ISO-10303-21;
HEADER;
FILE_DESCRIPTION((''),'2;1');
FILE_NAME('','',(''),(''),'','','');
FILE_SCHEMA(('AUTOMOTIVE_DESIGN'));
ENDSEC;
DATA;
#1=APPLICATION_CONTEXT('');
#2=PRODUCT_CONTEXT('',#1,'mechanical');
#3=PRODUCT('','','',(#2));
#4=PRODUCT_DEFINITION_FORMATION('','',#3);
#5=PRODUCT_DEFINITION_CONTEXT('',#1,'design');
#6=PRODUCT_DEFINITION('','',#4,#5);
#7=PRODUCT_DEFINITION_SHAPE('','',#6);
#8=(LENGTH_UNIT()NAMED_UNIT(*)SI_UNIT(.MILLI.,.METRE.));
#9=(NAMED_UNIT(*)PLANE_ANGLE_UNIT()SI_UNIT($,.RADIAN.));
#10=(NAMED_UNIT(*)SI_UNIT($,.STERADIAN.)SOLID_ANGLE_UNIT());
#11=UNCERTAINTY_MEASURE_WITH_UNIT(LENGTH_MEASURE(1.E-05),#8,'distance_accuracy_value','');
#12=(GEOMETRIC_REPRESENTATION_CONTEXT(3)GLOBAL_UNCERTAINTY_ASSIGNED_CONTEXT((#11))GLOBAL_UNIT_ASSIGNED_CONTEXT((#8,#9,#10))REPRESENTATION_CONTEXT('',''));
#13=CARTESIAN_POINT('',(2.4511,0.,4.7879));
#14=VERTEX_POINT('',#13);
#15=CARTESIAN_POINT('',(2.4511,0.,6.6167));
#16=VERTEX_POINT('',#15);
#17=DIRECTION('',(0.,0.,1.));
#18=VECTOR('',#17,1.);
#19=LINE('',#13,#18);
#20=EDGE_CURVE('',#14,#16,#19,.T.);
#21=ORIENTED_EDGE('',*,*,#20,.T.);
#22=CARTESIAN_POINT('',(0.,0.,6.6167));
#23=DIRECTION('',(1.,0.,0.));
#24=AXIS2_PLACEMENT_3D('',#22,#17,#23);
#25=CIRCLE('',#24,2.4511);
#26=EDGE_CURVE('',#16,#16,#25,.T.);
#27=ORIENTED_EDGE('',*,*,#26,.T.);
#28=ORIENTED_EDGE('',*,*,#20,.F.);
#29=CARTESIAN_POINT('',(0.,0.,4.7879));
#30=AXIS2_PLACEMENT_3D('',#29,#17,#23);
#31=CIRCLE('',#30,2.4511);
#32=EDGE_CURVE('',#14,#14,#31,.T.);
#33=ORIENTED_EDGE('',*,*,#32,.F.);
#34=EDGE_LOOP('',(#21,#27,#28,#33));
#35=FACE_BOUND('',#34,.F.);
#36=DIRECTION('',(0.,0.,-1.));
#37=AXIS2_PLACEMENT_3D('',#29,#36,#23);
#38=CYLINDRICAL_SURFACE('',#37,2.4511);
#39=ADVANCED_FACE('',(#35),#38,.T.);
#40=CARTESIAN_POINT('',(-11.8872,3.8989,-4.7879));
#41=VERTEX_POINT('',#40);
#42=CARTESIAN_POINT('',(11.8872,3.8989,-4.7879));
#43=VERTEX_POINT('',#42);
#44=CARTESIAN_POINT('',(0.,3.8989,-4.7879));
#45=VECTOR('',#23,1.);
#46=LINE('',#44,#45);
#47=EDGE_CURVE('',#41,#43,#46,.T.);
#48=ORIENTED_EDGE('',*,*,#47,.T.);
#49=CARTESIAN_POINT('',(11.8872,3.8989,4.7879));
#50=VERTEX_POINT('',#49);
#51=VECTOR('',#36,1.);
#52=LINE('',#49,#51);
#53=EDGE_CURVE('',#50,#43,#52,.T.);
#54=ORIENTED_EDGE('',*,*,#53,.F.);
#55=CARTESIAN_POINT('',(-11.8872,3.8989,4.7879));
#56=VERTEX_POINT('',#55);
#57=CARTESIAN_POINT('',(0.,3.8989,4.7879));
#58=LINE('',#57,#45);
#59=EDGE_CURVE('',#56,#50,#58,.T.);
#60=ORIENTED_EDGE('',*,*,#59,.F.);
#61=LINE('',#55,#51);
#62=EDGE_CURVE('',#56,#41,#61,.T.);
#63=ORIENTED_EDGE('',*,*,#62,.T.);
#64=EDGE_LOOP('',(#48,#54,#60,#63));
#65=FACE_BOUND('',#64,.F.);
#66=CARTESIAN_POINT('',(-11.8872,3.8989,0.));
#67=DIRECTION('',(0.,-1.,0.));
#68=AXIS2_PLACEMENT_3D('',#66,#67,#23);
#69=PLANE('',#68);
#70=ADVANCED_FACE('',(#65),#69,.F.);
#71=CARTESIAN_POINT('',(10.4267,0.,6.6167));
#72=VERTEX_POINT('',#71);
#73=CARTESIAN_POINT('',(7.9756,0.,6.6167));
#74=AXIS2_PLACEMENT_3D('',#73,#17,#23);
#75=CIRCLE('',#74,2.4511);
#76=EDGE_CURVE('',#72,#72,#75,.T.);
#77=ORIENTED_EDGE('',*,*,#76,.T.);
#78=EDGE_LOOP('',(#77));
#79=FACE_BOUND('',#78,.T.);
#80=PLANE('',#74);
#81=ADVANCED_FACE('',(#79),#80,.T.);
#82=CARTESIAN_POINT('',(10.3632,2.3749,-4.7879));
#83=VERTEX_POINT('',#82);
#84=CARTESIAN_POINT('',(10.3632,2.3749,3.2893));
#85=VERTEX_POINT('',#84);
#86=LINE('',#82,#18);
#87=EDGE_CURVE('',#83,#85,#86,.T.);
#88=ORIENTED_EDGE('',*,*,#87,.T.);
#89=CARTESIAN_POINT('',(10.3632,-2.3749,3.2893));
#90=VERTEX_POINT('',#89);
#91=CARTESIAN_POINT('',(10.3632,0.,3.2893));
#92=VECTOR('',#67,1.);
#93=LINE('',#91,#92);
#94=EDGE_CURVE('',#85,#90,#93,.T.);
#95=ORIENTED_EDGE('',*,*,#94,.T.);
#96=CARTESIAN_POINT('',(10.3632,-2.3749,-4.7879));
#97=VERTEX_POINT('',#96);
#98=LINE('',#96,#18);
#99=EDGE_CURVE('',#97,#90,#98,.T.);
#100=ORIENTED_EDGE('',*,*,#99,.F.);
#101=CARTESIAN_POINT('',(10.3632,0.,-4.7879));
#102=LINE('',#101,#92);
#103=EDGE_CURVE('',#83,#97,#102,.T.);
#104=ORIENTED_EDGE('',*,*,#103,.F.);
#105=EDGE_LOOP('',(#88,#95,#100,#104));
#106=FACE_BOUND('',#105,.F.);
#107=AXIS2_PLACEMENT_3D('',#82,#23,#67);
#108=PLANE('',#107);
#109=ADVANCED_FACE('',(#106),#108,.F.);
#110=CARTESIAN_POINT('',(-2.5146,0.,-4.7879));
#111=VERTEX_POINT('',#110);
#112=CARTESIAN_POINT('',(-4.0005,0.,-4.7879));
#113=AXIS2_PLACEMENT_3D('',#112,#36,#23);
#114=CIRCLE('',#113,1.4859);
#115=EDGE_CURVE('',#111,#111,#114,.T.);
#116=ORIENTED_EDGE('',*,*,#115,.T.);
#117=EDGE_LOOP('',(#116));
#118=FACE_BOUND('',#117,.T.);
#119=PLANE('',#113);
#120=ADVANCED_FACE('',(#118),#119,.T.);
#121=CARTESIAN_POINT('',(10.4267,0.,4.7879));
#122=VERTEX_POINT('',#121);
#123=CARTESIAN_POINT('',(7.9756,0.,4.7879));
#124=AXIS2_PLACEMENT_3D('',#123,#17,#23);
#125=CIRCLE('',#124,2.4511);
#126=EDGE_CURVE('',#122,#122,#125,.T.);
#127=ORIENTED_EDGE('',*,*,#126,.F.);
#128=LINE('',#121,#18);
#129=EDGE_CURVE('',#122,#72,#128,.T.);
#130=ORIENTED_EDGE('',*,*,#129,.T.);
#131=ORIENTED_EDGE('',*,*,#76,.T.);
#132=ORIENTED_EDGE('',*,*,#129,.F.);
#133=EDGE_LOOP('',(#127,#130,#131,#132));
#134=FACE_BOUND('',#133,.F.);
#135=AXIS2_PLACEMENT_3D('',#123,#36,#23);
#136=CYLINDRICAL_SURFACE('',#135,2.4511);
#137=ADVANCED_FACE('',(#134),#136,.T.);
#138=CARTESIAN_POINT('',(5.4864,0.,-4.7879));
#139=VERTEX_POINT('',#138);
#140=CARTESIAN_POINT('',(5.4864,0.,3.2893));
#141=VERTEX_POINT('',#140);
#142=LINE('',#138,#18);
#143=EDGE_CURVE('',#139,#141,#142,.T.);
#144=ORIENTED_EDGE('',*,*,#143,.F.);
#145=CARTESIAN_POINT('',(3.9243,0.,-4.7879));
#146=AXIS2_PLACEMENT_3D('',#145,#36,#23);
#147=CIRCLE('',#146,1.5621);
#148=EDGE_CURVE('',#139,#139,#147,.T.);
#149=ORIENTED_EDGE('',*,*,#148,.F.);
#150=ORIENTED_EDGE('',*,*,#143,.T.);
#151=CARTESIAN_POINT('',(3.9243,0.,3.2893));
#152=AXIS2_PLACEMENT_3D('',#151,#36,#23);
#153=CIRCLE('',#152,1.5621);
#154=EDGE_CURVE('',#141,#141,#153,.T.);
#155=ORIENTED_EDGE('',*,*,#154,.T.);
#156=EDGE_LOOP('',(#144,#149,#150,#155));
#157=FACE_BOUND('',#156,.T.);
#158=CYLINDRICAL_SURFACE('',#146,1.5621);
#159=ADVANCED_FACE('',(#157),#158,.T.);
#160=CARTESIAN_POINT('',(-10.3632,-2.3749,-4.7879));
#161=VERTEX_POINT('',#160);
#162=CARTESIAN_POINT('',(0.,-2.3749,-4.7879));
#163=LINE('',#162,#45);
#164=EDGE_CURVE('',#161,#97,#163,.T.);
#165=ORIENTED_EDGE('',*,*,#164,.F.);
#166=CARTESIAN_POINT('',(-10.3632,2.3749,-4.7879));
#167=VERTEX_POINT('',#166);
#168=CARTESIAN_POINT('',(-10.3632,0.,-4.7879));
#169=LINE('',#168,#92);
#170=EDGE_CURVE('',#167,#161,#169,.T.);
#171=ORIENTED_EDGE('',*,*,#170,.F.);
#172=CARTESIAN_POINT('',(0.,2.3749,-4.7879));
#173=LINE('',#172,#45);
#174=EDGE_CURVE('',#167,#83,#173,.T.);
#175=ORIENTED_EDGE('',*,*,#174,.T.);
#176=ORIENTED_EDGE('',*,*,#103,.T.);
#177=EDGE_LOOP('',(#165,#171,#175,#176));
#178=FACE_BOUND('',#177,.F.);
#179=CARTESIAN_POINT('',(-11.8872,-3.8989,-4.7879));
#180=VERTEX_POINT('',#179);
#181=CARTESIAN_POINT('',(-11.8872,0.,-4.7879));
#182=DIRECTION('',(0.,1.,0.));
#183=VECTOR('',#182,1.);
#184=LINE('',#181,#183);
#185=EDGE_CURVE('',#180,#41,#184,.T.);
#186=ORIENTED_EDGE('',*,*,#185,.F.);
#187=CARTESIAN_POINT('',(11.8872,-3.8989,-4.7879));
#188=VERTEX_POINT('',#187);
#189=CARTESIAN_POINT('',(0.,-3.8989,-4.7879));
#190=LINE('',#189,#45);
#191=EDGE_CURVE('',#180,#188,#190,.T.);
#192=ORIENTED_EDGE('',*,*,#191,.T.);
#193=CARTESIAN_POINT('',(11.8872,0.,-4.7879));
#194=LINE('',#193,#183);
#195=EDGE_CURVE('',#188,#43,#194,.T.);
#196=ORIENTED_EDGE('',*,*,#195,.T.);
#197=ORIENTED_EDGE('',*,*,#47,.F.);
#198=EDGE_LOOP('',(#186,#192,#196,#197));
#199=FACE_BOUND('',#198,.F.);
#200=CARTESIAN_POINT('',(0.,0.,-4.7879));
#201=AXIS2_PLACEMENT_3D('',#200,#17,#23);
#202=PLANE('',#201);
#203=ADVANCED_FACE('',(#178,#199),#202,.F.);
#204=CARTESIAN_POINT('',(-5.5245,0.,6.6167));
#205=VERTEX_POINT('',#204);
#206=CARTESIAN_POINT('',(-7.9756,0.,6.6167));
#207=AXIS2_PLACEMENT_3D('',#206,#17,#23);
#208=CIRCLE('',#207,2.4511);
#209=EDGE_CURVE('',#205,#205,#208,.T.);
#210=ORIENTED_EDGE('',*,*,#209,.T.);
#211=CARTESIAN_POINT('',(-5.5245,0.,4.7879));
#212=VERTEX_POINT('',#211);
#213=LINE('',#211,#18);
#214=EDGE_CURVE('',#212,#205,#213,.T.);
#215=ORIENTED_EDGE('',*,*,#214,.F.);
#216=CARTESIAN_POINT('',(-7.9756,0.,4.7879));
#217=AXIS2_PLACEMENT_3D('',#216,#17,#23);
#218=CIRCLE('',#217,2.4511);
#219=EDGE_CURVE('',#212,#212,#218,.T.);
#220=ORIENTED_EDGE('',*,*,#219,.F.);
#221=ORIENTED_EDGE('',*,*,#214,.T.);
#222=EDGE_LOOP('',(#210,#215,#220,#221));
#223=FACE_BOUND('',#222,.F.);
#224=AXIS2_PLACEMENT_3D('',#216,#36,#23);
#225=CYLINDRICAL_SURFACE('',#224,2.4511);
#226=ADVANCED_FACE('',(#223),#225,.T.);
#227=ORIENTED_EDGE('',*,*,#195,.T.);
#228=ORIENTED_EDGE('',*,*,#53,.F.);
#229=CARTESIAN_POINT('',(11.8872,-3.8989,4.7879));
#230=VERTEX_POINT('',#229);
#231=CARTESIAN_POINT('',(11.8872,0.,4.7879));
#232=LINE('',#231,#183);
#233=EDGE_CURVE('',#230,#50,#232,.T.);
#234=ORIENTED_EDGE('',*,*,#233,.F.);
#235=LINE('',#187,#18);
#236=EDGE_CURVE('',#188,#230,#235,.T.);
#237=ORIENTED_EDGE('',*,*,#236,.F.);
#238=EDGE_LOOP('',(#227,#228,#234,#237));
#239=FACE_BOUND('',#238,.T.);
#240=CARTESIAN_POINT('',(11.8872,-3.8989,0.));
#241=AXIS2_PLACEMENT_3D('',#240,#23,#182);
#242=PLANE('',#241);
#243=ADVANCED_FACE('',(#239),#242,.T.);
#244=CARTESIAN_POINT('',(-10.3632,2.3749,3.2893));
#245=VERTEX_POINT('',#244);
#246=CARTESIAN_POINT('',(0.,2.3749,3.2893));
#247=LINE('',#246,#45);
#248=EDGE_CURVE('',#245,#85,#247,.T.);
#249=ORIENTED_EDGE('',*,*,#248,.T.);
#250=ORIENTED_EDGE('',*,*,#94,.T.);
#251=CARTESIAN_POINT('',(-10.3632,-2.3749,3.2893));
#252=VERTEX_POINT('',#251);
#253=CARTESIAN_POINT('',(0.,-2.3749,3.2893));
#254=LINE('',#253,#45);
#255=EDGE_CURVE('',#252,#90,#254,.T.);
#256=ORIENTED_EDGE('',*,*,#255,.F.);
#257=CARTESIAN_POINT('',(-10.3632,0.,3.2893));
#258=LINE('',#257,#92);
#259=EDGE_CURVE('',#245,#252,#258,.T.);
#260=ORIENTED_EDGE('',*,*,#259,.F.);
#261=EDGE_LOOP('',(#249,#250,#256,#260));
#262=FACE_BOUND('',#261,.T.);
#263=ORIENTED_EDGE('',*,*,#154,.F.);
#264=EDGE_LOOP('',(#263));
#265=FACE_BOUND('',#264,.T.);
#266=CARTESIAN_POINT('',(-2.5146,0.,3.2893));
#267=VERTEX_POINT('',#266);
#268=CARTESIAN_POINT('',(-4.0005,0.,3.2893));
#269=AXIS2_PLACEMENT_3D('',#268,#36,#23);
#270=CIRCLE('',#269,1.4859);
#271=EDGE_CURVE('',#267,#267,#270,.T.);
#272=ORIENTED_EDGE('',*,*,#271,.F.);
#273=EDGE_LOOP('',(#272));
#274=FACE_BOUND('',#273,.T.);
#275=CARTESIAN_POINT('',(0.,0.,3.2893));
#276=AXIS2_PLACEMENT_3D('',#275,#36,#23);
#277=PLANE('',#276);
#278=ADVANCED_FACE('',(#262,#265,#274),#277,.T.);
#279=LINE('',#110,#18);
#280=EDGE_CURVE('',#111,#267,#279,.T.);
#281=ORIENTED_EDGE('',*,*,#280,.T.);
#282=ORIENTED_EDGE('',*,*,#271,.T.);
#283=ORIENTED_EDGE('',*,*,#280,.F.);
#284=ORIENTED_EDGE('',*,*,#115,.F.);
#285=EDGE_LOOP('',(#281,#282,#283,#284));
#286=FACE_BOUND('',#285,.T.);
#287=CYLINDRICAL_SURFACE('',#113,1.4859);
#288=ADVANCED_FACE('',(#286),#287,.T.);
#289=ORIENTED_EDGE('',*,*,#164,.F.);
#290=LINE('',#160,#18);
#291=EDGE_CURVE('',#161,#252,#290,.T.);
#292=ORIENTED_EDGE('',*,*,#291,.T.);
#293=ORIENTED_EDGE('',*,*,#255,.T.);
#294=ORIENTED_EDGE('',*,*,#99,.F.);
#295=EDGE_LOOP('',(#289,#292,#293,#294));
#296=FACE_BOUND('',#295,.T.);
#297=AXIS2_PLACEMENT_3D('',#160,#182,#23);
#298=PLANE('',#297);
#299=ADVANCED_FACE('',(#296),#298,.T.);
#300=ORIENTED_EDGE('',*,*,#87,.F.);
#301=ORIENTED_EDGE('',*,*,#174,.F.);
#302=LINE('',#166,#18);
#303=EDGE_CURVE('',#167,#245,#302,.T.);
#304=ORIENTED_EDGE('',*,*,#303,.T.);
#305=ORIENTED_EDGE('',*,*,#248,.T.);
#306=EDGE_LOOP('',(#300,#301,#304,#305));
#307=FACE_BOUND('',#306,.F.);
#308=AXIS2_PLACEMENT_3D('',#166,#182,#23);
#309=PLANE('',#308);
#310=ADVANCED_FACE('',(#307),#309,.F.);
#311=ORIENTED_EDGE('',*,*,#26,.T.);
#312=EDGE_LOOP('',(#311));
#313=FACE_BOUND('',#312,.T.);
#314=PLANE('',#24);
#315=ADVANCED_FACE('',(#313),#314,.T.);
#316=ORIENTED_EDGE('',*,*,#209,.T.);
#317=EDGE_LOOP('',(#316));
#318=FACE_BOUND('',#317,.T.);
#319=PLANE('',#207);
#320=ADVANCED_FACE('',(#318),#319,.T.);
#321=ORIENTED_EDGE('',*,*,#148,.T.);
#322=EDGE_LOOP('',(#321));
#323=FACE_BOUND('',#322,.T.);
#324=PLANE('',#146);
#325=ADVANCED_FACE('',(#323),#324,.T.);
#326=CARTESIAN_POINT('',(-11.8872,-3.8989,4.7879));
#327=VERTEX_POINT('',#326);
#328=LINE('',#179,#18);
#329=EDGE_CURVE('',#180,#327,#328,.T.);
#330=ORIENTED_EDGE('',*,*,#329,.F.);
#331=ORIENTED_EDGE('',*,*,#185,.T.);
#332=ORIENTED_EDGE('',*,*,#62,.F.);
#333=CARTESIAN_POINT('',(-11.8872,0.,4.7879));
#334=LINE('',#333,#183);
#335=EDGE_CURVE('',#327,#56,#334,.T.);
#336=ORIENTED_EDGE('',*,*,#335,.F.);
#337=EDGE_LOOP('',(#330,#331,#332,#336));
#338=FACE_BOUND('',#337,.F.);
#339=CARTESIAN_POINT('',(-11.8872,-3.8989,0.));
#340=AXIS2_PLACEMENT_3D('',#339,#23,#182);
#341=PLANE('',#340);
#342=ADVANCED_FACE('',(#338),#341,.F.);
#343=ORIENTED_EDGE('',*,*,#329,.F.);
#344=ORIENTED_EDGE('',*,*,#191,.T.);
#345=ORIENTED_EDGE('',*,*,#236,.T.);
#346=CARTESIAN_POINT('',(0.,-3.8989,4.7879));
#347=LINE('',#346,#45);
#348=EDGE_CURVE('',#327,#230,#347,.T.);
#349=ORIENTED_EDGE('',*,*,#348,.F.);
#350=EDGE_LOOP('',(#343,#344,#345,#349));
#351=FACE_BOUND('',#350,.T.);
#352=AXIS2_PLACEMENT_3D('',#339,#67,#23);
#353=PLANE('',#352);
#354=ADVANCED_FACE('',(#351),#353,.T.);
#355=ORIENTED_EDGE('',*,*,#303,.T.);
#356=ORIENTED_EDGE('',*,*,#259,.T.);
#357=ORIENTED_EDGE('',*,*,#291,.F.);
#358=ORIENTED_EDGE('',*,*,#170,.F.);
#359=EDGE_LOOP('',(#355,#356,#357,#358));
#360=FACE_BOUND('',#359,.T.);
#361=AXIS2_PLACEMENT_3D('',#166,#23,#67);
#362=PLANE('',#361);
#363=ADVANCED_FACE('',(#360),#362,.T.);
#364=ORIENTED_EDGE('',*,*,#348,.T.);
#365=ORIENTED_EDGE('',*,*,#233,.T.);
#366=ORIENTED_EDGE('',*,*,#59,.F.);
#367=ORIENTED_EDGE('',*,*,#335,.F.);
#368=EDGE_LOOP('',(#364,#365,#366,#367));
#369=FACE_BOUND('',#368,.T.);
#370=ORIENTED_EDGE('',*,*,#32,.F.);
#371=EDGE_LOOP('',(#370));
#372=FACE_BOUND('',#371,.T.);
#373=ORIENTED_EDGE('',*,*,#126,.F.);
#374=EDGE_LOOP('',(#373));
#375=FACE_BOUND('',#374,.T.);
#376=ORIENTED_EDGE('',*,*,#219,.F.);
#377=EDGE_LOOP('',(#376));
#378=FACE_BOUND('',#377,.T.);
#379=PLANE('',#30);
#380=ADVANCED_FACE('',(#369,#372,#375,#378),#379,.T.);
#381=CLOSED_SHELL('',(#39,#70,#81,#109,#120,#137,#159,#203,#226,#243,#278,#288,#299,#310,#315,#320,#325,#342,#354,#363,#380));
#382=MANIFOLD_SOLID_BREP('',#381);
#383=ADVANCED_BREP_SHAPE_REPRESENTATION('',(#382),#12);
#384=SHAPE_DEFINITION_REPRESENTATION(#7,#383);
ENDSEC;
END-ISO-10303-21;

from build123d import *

# Parameters (mm, degrees)
F0_W     = 23.7744
F0_H     = 7.7978
F1_DEPTH = 4.7879
F2_R     = 2.4511
F3_DEPTH = 1.8288
F4_W     = 20.7264
F4_H     = 4.7498
F6_DEPTH = 8.0772
F5_R     = 1.4859
F5_R_2   = 1.5621
F7_DEPTH = 8.0772


with BuildPart() as f1:
    # F0 (on Top) → F1 (new body, symmetric)
    with BuildSketch(Plane.XY):
        Rectangle(F0_W, F0_H)
    extrude(amount=F1_DEPTH, both=True)

    # F2 (on face) → F3 (join)
    with BuildSketch(Plane.XY.offset(4.7879)):
        with Locations((-7.9756, 0)):
            Circle(F2_R)
        Circle(F2_R)
        with Locations((7.9756, 0)):
            Circle(F2_R)
    extrude(amount=F3_DEPTH)

    # F4 (on face) → F6 (cut)
    with BuildSketch(Plane(origin=(0, 0, -4.7879), x_dir=(1, 0, 0), z_dir=(0, 0, -1))):
        Rectangle(F4_W, F4_H)
    extrude(amount=-F6_DEPTH, mode=Mode.SUBTRACT)

    # F5 (on face) → F7 (join)
    with BuildSketch(Plane(origin=(0, 0, -4.7879), x_dir=(1, 0, 0), z_dir=(0, 0, -1))):
        with Locations((-4.0005, 0)):
            Circle(F5_R)
        with Locations((3.9243, 0)):
            Circle(F5_R_2)
    extrude(amount=-F7_DEPTH)


solid = f1.part
